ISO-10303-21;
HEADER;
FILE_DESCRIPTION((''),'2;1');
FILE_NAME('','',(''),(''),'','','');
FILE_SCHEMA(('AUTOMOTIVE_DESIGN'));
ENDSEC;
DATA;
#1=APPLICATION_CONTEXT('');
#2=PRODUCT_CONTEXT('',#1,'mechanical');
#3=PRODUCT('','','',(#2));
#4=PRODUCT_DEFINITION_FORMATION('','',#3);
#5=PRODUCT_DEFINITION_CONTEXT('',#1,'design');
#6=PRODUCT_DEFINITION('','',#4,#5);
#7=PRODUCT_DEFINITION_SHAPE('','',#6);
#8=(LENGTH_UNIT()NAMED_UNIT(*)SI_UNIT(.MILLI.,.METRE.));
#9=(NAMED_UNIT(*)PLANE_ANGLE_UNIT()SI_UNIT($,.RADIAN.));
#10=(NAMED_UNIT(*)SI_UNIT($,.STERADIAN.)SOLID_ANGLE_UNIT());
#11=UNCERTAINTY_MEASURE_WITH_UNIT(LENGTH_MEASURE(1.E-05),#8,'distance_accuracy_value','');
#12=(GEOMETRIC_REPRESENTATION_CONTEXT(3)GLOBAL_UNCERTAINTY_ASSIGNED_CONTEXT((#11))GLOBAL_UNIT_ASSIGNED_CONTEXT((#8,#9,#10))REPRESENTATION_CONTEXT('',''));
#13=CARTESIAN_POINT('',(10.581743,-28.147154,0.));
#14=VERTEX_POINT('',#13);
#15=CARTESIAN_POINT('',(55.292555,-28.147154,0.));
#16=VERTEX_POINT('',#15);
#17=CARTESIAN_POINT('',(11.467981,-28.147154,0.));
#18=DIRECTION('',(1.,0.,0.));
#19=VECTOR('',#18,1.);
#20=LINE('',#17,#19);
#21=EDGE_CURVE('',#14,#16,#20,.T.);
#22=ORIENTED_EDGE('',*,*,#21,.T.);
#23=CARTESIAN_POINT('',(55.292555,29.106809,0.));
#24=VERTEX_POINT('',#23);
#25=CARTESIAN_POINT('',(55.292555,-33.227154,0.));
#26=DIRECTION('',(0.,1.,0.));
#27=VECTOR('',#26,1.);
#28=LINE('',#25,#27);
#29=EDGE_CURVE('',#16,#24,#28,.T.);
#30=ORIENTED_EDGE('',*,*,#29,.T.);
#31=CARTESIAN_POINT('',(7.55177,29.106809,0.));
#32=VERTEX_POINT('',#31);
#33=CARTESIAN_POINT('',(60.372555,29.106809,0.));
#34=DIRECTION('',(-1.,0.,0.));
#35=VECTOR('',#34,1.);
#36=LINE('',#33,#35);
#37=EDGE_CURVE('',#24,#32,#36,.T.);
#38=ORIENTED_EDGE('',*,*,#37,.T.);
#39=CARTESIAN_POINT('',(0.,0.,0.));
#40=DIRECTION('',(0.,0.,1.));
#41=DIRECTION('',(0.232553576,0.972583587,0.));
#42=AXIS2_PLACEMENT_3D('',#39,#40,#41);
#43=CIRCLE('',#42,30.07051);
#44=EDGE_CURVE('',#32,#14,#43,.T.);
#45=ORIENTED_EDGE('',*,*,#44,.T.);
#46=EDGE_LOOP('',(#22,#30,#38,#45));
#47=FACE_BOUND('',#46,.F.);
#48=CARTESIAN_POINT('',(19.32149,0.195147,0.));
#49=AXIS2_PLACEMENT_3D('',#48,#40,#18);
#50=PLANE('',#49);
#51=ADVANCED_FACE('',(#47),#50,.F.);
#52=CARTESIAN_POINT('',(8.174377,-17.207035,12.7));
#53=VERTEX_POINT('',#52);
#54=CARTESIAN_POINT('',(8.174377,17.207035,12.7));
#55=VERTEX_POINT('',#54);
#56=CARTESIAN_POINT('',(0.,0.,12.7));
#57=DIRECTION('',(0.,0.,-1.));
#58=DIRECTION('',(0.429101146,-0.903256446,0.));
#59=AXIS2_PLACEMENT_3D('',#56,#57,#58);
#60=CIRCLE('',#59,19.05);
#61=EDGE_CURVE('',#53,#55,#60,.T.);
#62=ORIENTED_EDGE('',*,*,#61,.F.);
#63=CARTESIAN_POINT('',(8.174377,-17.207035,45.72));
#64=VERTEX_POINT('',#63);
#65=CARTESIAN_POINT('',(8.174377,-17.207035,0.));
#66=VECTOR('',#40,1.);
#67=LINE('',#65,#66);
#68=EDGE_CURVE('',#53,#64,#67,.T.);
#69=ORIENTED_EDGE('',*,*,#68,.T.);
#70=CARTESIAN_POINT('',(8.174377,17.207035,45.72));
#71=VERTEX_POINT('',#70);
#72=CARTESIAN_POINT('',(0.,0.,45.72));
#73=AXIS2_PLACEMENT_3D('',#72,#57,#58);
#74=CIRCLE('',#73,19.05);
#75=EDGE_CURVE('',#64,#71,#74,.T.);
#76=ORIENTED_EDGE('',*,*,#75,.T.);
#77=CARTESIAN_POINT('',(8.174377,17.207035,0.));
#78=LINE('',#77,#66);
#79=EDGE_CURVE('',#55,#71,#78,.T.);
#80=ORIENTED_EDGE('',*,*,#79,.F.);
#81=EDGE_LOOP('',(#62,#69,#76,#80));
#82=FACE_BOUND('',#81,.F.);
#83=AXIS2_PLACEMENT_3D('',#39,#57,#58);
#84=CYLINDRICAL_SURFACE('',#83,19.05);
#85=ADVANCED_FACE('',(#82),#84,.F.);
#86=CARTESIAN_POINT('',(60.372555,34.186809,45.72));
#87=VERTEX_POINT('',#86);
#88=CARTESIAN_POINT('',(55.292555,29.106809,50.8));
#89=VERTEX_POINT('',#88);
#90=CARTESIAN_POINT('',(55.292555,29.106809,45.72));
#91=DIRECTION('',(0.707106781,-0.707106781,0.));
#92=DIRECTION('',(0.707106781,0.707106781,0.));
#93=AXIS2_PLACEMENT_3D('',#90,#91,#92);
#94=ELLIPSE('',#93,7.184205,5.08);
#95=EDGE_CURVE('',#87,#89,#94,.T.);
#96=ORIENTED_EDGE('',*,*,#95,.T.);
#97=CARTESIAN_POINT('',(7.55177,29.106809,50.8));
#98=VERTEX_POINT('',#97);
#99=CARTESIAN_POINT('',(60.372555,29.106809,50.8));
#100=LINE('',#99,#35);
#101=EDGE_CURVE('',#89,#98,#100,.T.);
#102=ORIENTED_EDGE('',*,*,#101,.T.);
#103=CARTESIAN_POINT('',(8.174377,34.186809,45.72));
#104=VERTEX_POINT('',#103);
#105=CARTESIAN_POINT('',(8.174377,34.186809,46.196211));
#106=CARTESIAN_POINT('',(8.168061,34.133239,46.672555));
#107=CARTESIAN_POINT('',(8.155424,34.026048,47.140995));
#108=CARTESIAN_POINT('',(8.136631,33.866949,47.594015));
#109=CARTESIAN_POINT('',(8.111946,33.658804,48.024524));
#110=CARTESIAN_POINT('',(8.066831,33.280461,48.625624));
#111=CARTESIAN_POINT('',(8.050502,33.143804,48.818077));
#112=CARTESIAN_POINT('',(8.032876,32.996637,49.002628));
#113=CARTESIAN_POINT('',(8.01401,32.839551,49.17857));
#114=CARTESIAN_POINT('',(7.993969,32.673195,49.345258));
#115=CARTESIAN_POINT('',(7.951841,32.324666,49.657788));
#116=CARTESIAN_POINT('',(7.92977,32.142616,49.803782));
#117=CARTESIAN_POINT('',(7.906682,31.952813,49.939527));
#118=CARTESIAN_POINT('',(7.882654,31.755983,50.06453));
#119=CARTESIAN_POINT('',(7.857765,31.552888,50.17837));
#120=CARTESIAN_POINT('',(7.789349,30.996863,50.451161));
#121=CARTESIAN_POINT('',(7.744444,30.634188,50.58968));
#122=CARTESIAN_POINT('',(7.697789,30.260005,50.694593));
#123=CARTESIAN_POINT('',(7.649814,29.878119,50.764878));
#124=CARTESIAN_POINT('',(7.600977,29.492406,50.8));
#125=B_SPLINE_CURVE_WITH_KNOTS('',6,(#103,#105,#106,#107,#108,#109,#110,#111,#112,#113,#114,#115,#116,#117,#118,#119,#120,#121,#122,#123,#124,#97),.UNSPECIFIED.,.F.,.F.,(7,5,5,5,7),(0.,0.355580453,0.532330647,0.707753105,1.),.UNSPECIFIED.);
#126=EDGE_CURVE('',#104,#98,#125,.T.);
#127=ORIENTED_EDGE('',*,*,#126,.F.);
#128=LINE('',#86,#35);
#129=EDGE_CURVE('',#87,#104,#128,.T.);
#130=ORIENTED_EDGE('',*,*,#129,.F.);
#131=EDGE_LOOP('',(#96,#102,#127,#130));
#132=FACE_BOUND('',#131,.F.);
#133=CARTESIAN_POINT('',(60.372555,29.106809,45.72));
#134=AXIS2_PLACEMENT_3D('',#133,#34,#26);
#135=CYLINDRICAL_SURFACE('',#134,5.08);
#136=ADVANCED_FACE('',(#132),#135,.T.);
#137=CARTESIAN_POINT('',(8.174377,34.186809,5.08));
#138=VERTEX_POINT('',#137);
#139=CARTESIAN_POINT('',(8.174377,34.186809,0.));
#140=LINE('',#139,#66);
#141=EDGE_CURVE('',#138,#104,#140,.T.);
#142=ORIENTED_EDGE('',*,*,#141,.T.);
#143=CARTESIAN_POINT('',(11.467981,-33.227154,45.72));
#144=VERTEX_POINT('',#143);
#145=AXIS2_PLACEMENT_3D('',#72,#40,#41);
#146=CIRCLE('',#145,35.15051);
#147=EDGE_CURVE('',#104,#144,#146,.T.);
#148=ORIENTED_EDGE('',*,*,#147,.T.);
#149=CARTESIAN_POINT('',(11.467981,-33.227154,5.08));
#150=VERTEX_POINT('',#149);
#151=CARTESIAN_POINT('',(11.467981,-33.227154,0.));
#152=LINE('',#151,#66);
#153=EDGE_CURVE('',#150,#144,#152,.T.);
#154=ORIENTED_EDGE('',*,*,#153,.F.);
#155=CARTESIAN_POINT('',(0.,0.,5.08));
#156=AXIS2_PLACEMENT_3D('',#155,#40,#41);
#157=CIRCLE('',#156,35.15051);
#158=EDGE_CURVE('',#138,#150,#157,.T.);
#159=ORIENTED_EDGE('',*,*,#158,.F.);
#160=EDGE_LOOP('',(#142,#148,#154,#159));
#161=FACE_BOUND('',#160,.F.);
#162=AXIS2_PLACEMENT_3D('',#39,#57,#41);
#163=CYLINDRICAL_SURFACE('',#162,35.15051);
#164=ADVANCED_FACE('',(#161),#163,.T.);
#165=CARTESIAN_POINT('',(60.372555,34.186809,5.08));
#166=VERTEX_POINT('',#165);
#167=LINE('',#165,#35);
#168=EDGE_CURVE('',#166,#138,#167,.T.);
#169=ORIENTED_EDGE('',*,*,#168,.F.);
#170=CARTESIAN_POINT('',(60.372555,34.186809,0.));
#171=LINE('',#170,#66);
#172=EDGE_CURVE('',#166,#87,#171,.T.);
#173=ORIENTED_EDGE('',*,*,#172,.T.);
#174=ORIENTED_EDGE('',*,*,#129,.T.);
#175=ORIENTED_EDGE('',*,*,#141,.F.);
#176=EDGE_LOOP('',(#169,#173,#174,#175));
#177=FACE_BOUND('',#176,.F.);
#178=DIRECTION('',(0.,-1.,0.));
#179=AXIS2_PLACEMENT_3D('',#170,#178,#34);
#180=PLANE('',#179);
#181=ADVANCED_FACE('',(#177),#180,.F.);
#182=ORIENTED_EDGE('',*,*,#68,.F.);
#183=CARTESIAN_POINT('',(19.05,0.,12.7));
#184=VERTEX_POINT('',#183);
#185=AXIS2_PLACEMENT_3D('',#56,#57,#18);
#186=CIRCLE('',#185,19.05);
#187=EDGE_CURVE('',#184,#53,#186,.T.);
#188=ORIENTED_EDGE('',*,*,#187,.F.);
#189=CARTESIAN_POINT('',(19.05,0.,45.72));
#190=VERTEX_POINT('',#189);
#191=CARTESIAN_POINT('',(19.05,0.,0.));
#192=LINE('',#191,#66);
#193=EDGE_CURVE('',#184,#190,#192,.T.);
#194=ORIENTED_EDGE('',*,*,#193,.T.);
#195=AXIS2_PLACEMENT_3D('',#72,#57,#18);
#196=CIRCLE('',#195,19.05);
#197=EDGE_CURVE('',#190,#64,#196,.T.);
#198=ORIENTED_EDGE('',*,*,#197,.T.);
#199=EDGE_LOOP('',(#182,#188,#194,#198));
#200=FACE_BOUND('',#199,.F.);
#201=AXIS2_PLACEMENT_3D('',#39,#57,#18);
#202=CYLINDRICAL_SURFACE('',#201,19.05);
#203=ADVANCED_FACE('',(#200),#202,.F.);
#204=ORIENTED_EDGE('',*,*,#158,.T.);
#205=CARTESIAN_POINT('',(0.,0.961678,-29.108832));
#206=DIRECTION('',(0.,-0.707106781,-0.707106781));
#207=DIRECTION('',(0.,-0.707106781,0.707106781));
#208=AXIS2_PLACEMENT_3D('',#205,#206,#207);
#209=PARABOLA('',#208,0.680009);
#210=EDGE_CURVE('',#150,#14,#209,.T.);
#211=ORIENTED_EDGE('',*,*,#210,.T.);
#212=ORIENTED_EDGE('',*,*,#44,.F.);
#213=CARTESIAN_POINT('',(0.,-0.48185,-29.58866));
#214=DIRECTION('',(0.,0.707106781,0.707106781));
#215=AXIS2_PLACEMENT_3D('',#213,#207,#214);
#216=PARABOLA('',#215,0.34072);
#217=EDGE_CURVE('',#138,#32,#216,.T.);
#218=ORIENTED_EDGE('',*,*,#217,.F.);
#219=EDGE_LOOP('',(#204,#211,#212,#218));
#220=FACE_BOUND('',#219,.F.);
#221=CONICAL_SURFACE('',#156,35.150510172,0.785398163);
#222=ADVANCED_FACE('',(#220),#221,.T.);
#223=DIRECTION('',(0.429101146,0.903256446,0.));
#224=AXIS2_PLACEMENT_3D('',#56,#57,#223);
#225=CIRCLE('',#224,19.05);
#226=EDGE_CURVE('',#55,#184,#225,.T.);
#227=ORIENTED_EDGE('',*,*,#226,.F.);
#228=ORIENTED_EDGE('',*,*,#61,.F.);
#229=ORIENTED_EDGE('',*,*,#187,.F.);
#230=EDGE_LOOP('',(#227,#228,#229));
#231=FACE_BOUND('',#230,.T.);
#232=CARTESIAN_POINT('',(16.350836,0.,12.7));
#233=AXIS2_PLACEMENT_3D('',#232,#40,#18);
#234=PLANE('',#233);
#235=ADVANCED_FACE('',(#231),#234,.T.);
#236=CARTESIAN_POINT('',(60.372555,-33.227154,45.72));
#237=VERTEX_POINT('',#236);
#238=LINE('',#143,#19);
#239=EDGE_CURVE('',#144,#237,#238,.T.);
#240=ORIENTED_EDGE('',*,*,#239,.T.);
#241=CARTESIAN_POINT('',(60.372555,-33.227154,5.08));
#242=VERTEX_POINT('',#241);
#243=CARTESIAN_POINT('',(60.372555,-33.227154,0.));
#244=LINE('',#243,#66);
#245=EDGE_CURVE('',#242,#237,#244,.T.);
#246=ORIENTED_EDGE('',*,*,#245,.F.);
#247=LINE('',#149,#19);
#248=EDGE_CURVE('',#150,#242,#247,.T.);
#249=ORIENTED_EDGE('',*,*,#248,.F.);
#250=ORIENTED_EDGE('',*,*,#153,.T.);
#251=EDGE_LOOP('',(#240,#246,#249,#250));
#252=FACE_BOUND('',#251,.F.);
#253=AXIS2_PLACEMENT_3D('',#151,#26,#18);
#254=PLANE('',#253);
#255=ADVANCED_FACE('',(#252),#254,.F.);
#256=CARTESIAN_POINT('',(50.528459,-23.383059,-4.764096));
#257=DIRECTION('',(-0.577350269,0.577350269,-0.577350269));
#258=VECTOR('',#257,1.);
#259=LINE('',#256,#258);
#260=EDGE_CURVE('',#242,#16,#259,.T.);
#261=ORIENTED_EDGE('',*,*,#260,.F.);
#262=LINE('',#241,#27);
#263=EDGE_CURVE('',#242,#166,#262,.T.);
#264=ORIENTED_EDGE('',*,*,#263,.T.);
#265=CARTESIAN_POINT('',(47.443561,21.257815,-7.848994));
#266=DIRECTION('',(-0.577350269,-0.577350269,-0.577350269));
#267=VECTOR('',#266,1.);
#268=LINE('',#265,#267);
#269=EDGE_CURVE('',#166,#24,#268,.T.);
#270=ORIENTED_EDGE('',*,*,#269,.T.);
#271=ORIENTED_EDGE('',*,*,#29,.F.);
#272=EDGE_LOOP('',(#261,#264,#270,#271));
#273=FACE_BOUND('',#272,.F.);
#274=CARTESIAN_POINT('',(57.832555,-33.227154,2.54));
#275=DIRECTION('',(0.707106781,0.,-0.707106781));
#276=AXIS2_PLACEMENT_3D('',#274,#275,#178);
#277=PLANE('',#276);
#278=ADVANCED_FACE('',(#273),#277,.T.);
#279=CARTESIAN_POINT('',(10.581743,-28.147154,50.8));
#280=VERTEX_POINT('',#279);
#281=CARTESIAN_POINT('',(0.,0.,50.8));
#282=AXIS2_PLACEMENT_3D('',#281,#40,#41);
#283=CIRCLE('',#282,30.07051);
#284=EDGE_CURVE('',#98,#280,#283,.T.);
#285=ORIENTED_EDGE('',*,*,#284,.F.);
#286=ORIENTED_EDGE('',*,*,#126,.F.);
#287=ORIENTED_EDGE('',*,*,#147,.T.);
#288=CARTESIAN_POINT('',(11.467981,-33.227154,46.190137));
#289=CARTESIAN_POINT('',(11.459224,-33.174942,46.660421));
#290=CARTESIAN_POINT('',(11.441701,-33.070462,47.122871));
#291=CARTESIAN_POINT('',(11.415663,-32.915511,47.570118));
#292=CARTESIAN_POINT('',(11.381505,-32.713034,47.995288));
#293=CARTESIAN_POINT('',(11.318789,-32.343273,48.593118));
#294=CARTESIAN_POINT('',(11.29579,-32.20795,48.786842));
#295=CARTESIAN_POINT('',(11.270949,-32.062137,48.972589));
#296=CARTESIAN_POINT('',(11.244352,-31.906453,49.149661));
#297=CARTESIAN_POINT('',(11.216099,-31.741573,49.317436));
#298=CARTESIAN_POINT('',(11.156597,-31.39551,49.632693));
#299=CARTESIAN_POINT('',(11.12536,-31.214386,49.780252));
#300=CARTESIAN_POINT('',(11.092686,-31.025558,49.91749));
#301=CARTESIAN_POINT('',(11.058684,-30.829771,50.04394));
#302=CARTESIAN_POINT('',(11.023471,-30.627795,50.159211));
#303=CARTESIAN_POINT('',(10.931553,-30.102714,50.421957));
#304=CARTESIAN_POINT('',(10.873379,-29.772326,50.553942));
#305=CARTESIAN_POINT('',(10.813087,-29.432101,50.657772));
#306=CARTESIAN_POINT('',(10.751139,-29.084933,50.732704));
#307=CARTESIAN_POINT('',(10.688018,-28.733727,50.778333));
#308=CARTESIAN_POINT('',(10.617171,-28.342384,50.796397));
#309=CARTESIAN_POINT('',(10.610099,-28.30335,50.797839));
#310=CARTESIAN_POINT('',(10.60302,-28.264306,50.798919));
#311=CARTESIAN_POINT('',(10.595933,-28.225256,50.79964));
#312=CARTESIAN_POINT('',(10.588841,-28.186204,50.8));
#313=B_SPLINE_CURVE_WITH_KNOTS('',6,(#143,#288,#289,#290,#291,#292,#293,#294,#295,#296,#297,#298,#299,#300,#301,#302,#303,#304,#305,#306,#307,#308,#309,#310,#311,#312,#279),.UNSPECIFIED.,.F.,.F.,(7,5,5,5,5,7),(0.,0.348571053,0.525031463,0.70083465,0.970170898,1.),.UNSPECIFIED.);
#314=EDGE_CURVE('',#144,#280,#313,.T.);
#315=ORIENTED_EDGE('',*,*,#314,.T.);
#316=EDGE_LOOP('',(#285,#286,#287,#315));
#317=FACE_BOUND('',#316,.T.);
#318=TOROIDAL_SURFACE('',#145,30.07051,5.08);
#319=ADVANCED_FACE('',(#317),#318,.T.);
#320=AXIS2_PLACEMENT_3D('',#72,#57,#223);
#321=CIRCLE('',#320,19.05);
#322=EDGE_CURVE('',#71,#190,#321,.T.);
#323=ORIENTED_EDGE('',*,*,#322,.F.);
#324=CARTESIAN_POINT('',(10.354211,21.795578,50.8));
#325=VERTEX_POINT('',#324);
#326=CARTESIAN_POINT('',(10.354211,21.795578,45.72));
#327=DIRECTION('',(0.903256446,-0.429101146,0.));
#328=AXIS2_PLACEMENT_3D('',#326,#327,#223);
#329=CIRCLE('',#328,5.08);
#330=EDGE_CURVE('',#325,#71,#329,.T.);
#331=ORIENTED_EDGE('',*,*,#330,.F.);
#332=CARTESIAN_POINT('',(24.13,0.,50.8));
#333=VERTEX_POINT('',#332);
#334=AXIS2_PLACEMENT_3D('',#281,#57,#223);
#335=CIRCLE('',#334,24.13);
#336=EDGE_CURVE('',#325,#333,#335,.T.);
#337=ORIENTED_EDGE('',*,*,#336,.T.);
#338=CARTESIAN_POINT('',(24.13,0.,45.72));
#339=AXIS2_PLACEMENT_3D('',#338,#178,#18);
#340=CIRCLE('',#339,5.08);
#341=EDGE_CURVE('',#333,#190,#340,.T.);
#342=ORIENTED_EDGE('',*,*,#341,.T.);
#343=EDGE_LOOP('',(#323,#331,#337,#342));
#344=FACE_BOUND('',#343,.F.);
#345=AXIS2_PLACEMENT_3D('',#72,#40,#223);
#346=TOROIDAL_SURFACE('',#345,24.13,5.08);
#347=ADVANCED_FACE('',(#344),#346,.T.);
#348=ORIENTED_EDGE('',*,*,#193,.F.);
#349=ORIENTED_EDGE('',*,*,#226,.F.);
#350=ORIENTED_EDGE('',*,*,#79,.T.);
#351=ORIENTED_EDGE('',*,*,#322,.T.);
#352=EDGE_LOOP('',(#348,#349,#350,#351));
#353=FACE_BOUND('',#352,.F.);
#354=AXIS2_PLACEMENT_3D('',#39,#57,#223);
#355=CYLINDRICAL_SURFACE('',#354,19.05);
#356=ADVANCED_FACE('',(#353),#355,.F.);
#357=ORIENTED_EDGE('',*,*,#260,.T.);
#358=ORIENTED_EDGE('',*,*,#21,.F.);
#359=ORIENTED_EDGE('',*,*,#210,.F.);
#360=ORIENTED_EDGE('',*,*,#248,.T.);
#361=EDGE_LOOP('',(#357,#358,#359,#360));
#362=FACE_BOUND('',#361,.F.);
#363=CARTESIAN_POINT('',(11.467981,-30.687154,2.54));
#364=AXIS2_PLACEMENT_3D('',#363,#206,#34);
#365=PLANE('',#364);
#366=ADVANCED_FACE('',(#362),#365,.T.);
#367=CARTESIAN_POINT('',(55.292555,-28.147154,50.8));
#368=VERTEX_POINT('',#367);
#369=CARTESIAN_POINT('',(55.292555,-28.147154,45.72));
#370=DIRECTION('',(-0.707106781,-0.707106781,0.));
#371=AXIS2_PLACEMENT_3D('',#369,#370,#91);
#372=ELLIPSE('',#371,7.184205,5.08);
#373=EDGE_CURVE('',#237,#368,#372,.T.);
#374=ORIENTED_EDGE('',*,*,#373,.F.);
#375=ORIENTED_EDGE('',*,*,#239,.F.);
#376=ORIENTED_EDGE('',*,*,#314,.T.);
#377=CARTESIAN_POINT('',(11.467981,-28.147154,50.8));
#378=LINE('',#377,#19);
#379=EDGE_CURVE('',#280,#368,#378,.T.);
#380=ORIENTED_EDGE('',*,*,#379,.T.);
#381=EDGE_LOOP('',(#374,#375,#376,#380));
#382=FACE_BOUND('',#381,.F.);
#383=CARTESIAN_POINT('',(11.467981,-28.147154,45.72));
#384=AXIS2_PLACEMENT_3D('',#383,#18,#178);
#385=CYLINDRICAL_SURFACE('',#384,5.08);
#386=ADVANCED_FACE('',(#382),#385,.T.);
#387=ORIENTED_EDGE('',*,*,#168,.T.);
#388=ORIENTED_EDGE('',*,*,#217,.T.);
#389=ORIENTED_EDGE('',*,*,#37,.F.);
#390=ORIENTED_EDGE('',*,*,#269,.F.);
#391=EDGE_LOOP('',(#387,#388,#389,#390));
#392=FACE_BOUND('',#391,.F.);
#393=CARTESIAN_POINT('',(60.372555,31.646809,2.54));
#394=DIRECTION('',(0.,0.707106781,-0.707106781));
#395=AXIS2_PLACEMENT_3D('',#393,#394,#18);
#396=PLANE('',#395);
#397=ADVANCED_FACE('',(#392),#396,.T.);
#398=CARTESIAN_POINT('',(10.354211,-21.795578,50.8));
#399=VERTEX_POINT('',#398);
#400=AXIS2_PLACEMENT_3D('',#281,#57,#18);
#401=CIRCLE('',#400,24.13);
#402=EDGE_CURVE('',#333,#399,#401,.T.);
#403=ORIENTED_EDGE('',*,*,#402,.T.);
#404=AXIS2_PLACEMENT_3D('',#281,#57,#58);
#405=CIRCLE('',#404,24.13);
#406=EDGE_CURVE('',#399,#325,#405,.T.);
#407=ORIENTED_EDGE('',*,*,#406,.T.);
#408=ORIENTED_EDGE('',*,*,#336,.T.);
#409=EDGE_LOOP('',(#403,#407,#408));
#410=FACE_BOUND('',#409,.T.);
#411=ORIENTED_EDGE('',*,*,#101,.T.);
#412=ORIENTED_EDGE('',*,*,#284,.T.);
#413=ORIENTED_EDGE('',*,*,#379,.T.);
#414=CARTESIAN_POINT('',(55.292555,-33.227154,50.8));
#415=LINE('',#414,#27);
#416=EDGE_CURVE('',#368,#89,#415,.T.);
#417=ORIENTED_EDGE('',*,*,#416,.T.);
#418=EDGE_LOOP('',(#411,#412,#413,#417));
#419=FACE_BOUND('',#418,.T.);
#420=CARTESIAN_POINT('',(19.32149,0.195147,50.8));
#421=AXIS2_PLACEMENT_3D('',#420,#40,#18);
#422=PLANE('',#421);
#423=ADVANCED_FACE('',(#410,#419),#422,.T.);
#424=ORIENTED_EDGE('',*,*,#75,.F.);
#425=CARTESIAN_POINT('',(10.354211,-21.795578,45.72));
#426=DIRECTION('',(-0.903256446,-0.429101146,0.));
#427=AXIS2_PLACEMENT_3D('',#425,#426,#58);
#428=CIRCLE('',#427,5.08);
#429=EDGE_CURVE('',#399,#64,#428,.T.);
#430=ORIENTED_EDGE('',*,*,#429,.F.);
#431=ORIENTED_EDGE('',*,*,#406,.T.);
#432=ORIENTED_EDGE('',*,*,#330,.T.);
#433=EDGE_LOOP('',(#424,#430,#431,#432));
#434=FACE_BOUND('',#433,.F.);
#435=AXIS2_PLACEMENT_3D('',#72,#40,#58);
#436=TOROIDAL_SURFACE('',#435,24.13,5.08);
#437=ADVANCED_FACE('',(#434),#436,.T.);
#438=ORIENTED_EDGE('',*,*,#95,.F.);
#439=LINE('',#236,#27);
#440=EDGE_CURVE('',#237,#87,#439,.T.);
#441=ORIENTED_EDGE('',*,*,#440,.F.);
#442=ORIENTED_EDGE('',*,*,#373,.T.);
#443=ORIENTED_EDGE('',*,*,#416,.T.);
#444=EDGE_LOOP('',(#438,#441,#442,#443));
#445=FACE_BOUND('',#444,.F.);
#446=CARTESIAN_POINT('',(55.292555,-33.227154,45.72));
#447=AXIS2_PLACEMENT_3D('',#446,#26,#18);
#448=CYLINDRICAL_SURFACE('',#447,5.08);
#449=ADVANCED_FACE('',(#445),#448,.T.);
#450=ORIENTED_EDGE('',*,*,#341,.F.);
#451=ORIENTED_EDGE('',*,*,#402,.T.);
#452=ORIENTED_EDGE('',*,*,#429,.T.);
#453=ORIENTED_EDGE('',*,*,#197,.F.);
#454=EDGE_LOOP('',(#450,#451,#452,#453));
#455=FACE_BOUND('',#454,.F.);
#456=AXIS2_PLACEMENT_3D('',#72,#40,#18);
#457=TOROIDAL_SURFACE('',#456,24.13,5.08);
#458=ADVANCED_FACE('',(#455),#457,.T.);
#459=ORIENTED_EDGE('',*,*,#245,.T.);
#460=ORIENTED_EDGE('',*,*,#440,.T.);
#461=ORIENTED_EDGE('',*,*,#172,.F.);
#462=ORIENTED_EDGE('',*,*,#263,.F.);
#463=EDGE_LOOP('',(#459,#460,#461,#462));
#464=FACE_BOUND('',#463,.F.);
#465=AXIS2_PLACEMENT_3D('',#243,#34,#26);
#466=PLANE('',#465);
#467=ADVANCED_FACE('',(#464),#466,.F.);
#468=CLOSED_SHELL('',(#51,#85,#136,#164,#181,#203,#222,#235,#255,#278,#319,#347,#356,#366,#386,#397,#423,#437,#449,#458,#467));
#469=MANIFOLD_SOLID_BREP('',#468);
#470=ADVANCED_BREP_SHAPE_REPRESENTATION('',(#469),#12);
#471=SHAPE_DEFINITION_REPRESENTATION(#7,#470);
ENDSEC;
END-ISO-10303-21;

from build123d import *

# Parameters (mm, degrees)
F1_DEPTH = 50.8
F2_SIZE  = 5.08
F4_DEPTH = 12.7
F5_R     = 5.08
F6_R     = 5.08


with BuildPart() as f1:
    # F0 (on Top) → F1 (new body)
    with BuildSketch(Plane.XY):
        with BuildLine():
            ThreePointArc((11.4679807678, -33.227154294), (28.6239736934, -20.4016297233), (35.1505101722, 0))
            ThreePointArc((35.1505101722, 0), (27.5943099323, 21.7741228234), (8.1743768298, 34.186809281))
            Line((8.1743768298, 34.186809281), (8.1743768298, 17.2070352892))
            ThreePointArc((8.1743768298, 17.2070352892), (16.1031732681, 10.1779325354), (19.05, 0))
            ThreePointArc((19.05, 0), (16.1031732681, -10.1779325354), (8.1743768298, -17.2070352892))
            Line((8.1743768298, -17.2070352892), (8.1743768298, -33.227154294))
            Line((8.1743768298, -33.227154294), (11.4679807678, -33.227154294))
        make_face()
        with BuildLine():
            ThreePointArc((8.1743768298, 34.186809281), (27.5943099323, 21.7741228234), (35.1505101722, 0))
            ThreePointArc((35.1505101722, 0), (28.6239736934, -20.4016297233), (11.4679807678, -33.227154294))
            Line((11.4679807678, -33.227154294), (60.3725549432, -33.227154294))
            Line((60.3725549432, -33.227154294), (60.3725549432, 34.186809281))
            Line((60.3725549432, 34.186809281), (8.1743768298, 34.186809281))
        make_face()
        with BuildLine():
            Line((8.1743768298, 17.2070352892), (8.1743768298, 34.186809281))
            ThreePointArc((8.1743768298, 34.186809281), (-35.1086338985, -1.7152816528), (11.4679807678, -33.227154294))
            Line((11.4679807678, -33.227154294), (8.1743768298, -33.227154294))
            Line((8.1743768298, -33.227154294), (8.1743768298, -17.2070352892))
            ThreePointArc((8.1743768298, -17.2070352892), (-19.05, 0), (8.1743768298, 17.2070352892))
        make_face()
    extrude(amount=F1_DEPTH)

    # F2
    f2_edges = [f1.edges().sort_by_distance(p)[0] for p in [
        (-35.108634, -1.715282, 0),
        (34.273466, 34.186809, 0),
        (60.372555, 0.479827, 0),
        (35.920268, -33.227154, 0),
    ]]
    chamfer(f2_edges, length=F2_SIZE)

    # F3 (on Top) → F4 (join)
    with BuildSketch(Plane.XY):
        with BuildLine():
            Line((9.958841659, 26.0848395173), (9.958841659, -26.0848395173))
            ThreePointArc((9.958841659, -26.0848395173), (22.9963138093, -15.8356222175), (27.9212710998, 0))
            ThreePointArc((27.9212710998, 0), (22.9963138093, 15.8356222175), (9.958841659, 26.0848395173))
        make_face()
        with BuildLine():
            ThreePointArc((27.9212710998, 0), (22.9963138093, -15.8356222175), (9.958841659, -26.0848395173))
            Line((9.958841659, -26.0848395173), (51.6148433089, -26.0848395173))
            Line((51.6148433089, -26.0848395173), (51.6148433089, 26.8565043807))
            Line((51.6148433089, 26.8565043807), (9.958841659, 26.8565043807))
            Line((9.958841659, 26.8565043807), (9.958841659, 26.0848395173))
            ThreePointArc((9.958841659, 26.0848395173), (22.9963138093, 15.8356222175), (27.9212710998, 0))
        make_face()
        with BuildLine():
            ThreePointArc((9.958841659, 26.0848395173), (-27.9212710998, 0), (9.958841659, -26.0848395173))
            Line((9.958841659, -26.0848395173), (9.958841659, 26.0848395173))
        make_face()
    extrude(amount=F4_DEPTH)

    # F5
    f5_edges = [f1.edges().sort_by_distance(p)[0] for p in [
        (-35.108634, -1.715282, 50.8),
        (35.920268, -33.227154, 50.8),
        (60.372555, 0.479827, 50.8),
        (34.273466, 34.186809, 50.8),
    ]]
    fillet(f5_edges, radius=F5_R)

    # F6
    f6_edges = [f1.edges().sort_by_distance(p)[0] for p in [
        (-8.174377, 17.207035, 50.8),
    ]]
    fillet(f6_edges, radius=F6_R)


solid = f1.part
